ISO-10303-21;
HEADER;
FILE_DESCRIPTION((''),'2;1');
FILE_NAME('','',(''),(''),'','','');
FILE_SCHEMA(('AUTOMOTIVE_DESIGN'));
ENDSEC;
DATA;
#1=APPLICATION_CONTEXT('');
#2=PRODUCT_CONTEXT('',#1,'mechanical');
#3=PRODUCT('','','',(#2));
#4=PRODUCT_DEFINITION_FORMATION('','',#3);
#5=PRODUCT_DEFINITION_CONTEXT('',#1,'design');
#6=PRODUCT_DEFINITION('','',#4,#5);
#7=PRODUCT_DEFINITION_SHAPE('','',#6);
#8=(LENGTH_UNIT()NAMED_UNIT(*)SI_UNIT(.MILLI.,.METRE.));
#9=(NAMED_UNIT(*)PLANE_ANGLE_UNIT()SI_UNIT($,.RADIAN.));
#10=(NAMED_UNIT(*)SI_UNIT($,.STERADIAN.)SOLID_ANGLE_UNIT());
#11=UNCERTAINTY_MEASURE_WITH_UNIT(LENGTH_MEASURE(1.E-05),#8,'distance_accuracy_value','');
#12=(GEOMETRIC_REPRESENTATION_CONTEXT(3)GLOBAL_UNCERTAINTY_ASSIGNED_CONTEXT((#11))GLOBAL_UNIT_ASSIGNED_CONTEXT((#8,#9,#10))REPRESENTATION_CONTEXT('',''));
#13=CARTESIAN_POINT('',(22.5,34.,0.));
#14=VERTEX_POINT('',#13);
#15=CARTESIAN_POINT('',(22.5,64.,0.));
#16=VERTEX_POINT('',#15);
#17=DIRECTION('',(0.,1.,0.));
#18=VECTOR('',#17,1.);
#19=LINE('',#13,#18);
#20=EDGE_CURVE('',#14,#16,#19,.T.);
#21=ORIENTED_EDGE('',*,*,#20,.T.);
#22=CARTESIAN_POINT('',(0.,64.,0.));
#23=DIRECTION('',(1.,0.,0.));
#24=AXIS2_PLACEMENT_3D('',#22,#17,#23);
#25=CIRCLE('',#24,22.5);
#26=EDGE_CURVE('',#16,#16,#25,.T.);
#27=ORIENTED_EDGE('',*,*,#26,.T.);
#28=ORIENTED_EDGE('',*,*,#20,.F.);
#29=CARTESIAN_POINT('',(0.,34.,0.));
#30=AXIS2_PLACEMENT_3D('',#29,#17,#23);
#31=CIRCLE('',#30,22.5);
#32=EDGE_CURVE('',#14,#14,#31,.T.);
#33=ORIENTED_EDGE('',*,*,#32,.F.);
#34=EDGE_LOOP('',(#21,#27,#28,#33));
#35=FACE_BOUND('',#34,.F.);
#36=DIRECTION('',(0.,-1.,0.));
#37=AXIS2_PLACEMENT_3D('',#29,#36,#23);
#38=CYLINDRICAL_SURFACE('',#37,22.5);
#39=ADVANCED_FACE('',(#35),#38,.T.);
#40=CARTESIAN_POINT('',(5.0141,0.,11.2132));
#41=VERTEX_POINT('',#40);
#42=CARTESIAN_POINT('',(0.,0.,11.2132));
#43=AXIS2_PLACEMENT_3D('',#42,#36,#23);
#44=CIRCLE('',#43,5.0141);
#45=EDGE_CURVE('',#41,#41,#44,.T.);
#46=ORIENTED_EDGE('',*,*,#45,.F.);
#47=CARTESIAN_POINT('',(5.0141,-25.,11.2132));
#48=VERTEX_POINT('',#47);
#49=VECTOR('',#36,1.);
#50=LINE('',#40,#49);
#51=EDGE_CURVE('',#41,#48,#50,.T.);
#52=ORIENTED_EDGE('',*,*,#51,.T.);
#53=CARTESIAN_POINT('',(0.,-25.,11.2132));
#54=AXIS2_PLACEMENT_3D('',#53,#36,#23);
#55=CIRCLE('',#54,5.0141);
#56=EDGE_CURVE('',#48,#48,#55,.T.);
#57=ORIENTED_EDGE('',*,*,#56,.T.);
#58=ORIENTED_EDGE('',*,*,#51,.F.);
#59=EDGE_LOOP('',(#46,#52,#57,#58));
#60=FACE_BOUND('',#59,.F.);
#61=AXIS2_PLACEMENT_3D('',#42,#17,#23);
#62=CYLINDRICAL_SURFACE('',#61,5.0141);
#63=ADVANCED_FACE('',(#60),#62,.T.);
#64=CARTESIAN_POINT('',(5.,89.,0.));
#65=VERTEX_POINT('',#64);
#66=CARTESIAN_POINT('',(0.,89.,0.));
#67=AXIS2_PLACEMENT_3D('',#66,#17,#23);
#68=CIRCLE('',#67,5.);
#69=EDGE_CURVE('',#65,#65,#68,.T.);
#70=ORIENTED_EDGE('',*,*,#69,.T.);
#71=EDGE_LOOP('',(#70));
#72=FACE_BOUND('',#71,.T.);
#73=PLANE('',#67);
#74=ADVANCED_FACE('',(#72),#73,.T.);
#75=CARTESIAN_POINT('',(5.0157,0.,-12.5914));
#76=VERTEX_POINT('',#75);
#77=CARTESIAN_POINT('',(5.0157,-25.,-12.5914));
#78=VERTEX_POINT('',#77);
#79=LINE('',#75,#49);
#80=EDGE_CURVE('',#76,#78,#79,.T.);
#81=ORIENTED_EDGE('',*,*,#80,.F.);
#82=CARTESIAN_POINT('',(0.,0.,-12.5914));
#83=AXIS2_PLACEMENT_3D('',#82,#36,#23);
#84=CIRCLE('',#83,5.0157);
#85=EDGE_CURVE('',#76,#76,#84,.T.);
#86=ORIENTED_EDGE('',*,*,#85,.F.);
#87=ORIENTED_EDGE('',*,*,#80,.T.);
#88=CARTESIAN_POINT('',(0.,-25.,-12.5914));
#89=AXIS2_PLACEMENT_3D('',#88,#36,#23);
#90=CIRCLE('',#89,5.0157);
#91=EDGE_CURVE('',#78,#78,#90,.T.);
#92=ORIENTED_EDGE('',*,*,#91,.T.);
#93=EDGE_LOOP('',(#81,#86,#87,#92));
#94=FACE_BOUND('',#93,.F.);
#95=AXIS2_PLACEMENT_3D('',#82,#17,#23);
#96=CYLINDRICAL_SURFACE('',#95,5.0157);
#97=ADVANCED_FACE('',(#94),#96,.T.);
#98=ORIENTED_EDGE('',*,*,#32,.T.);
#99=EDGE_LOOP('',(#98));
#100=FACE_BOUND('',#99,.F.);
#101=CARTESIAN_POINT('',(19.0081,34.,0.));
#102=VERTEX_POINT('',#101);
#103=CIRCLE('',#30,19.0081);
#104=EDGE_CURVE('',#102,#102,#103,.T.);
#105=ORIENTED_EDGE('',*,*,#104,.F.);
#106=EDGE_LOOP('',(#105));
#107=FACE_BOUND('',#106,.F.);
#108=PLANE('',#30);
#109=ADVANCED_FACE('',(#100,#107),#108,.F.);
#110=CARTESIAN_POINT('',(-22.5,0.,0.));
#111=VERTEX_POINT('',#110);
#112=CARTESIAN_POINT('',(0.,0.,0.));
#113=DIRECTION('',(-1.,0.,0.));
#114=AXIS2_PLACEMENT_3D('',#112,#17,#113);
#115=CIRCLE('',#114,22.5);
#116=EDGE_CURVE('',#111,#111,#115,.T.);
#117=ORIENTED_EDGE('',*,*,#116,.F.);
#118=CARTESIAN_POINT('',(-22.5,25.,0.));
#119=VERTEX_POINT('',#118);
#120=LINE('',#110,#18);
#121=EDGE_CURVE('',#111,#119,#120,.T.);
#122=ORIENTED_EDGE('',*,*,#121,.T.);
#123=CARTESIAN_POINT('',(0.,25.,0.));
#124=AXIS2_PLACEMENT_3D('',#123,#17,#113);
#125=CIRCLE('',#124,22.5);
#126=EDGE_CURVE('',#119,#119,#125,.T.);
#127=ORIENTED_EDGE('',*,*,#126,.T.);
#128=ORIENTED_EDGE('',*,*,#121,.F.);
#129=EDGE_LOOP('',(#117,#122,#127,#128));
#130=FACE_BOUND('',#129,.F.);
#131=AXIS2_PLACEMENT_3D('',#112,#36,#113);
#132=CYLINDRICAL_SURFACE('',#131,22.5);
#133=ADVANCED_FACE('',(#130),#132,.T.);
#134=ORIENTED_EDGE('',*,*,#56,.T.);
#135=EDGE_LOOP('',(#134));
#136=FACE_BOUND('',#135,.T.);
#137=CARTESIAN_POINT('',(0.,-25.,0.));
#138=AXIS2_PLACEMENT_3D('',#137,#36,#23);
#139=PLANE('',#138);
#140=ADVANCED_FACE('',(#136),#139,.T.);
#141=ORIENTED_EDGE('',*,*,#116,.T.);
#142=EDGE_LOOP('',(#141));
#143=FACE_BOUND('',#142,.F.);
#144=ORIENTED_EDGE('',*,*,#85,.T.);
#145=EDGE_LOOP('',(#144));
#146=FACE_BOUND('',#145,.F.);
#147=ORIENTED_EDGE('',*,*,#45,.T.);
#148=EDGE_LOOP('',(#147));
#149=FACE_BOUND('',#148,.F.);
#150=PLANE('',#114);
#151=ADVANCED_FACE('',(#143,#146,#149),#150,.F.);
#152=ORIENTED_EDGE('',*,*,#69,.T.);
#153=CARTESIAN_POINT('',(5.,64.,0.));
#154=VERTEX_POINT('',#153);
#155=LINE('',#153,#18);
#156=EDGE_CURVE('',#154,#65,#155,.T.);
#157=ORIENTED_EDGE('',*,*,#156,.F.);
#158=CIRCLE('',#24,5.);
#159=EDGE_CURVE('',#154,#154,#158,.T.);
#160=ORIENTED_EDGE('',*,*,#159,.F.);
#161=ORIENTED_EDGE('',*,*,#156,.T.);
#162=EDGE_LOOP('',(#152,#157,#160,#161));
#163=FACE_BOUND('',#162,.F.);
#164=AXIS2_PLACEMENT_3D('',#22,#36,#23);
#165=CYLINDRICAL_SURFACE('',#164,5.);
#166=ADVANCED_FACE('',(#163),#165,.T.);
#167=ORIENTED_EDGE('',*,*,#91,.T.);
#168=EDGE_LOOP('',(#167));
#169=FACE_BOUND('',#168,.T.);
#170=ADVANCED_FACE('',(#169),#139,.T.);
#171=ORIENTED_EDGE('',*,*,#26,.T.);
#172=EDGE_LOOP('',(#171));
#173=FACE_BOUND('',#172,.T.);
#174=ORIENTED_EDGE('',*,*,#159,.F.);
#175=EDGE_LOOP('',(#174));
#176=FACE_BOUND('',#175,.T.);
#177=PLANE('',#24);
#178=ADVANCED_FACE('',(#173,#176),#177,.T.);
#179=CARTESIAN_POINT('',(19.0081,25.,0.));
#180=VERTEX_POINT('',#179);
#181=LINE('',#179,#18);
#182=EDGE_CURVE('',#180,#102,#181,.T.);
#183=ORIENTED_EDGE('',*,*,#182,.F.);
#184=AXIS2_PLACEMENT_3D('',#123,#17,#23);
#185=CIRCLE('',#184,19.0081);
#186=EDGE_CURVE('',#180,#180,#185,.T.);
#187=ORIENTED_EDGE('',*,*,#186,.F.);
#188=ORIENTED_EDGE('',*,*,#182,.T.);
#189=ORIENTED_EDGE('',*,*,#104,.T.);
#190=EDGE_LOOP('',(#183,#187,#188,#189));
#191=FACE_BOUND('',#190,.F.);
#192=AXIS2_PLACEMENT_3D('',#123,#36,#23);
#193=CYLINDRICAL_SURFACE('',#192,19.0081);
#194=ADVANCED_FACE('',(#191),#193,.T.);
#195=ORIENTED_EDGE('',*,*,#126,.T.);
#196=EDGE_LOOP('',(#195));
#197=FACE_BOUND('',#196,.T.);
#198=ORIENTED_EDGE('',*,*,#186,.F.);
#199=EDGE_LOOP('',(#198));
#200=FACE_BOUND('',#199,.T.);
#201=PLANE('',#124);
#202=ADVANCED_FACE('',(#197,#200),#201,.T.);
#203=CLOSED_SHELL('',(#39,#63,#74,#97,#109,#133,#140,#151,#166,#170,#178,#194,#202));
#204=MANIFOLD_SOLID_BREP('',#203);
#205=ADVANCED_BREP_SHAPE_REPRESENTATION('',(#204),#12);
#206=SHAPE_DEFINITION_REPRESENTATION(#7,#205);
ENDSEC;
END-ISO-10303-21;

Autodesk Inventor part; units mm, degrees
ref_plane "YZ Plane" through (0, 0, 0) normal (1, 0, 0) x (0, 1, 0)
ref_plane "XZ Plane" through (0, 0, 0) normal (0, 1, 0) x (-1, 0, 0)
ref_plane "XY Plane" through (0, 0, 0) normal (0, 0, 1) x (1, 0, 0)
sketch "Sketch1" plane through (0, 0, 0) normal (0, 1, 0) x (-1, 0, 0)
  circle A0 centre (0, 0) radius 22.5
  dimension "d0" = 45
extrude "Extrusion1" add sketch "Sketch1" along normal blind 25
sketch "Sketch2" plane through (0, 25, 0) normal (0, 1, 0) x (1, 0, 0)
  circle A0 centre (0, 0) radius 19.0081
extrude "Extrusion2" add sketch "Sketch2" along normal blind 9
sketch "Sketch3" plane through (0, 34, 0) normal (0, 1, 0) x (1, 0, 0)
  circle A0 centre (0, 0) radius 22.5
extrude "Extrusion3" add sketch "Sketch3" along normal blind 30
sketch "Sketch4" plane through (0, 64, 0) normal (0, 1, 0) x (1, 0, 0)
  circle A0 centre (0, 0) radius 5
  dimension "d7" = 10
extrude "Extrusion4" add sketch "Sketch4" along normal blind 25
sketch "Sketch5" plane through (0, 0, 0) normal (0, -1, 0) x (1, 0, 0)
  circle A0 centre (0, 11.2132) radius 5.0141
  circle A1 centre (0, -12.5914) radius 5.0157
  point P0 (0, 0)
extrude "Extrusion5" add sketch "Sketch5" along normal blind 25
properties part number "DC motor now"
